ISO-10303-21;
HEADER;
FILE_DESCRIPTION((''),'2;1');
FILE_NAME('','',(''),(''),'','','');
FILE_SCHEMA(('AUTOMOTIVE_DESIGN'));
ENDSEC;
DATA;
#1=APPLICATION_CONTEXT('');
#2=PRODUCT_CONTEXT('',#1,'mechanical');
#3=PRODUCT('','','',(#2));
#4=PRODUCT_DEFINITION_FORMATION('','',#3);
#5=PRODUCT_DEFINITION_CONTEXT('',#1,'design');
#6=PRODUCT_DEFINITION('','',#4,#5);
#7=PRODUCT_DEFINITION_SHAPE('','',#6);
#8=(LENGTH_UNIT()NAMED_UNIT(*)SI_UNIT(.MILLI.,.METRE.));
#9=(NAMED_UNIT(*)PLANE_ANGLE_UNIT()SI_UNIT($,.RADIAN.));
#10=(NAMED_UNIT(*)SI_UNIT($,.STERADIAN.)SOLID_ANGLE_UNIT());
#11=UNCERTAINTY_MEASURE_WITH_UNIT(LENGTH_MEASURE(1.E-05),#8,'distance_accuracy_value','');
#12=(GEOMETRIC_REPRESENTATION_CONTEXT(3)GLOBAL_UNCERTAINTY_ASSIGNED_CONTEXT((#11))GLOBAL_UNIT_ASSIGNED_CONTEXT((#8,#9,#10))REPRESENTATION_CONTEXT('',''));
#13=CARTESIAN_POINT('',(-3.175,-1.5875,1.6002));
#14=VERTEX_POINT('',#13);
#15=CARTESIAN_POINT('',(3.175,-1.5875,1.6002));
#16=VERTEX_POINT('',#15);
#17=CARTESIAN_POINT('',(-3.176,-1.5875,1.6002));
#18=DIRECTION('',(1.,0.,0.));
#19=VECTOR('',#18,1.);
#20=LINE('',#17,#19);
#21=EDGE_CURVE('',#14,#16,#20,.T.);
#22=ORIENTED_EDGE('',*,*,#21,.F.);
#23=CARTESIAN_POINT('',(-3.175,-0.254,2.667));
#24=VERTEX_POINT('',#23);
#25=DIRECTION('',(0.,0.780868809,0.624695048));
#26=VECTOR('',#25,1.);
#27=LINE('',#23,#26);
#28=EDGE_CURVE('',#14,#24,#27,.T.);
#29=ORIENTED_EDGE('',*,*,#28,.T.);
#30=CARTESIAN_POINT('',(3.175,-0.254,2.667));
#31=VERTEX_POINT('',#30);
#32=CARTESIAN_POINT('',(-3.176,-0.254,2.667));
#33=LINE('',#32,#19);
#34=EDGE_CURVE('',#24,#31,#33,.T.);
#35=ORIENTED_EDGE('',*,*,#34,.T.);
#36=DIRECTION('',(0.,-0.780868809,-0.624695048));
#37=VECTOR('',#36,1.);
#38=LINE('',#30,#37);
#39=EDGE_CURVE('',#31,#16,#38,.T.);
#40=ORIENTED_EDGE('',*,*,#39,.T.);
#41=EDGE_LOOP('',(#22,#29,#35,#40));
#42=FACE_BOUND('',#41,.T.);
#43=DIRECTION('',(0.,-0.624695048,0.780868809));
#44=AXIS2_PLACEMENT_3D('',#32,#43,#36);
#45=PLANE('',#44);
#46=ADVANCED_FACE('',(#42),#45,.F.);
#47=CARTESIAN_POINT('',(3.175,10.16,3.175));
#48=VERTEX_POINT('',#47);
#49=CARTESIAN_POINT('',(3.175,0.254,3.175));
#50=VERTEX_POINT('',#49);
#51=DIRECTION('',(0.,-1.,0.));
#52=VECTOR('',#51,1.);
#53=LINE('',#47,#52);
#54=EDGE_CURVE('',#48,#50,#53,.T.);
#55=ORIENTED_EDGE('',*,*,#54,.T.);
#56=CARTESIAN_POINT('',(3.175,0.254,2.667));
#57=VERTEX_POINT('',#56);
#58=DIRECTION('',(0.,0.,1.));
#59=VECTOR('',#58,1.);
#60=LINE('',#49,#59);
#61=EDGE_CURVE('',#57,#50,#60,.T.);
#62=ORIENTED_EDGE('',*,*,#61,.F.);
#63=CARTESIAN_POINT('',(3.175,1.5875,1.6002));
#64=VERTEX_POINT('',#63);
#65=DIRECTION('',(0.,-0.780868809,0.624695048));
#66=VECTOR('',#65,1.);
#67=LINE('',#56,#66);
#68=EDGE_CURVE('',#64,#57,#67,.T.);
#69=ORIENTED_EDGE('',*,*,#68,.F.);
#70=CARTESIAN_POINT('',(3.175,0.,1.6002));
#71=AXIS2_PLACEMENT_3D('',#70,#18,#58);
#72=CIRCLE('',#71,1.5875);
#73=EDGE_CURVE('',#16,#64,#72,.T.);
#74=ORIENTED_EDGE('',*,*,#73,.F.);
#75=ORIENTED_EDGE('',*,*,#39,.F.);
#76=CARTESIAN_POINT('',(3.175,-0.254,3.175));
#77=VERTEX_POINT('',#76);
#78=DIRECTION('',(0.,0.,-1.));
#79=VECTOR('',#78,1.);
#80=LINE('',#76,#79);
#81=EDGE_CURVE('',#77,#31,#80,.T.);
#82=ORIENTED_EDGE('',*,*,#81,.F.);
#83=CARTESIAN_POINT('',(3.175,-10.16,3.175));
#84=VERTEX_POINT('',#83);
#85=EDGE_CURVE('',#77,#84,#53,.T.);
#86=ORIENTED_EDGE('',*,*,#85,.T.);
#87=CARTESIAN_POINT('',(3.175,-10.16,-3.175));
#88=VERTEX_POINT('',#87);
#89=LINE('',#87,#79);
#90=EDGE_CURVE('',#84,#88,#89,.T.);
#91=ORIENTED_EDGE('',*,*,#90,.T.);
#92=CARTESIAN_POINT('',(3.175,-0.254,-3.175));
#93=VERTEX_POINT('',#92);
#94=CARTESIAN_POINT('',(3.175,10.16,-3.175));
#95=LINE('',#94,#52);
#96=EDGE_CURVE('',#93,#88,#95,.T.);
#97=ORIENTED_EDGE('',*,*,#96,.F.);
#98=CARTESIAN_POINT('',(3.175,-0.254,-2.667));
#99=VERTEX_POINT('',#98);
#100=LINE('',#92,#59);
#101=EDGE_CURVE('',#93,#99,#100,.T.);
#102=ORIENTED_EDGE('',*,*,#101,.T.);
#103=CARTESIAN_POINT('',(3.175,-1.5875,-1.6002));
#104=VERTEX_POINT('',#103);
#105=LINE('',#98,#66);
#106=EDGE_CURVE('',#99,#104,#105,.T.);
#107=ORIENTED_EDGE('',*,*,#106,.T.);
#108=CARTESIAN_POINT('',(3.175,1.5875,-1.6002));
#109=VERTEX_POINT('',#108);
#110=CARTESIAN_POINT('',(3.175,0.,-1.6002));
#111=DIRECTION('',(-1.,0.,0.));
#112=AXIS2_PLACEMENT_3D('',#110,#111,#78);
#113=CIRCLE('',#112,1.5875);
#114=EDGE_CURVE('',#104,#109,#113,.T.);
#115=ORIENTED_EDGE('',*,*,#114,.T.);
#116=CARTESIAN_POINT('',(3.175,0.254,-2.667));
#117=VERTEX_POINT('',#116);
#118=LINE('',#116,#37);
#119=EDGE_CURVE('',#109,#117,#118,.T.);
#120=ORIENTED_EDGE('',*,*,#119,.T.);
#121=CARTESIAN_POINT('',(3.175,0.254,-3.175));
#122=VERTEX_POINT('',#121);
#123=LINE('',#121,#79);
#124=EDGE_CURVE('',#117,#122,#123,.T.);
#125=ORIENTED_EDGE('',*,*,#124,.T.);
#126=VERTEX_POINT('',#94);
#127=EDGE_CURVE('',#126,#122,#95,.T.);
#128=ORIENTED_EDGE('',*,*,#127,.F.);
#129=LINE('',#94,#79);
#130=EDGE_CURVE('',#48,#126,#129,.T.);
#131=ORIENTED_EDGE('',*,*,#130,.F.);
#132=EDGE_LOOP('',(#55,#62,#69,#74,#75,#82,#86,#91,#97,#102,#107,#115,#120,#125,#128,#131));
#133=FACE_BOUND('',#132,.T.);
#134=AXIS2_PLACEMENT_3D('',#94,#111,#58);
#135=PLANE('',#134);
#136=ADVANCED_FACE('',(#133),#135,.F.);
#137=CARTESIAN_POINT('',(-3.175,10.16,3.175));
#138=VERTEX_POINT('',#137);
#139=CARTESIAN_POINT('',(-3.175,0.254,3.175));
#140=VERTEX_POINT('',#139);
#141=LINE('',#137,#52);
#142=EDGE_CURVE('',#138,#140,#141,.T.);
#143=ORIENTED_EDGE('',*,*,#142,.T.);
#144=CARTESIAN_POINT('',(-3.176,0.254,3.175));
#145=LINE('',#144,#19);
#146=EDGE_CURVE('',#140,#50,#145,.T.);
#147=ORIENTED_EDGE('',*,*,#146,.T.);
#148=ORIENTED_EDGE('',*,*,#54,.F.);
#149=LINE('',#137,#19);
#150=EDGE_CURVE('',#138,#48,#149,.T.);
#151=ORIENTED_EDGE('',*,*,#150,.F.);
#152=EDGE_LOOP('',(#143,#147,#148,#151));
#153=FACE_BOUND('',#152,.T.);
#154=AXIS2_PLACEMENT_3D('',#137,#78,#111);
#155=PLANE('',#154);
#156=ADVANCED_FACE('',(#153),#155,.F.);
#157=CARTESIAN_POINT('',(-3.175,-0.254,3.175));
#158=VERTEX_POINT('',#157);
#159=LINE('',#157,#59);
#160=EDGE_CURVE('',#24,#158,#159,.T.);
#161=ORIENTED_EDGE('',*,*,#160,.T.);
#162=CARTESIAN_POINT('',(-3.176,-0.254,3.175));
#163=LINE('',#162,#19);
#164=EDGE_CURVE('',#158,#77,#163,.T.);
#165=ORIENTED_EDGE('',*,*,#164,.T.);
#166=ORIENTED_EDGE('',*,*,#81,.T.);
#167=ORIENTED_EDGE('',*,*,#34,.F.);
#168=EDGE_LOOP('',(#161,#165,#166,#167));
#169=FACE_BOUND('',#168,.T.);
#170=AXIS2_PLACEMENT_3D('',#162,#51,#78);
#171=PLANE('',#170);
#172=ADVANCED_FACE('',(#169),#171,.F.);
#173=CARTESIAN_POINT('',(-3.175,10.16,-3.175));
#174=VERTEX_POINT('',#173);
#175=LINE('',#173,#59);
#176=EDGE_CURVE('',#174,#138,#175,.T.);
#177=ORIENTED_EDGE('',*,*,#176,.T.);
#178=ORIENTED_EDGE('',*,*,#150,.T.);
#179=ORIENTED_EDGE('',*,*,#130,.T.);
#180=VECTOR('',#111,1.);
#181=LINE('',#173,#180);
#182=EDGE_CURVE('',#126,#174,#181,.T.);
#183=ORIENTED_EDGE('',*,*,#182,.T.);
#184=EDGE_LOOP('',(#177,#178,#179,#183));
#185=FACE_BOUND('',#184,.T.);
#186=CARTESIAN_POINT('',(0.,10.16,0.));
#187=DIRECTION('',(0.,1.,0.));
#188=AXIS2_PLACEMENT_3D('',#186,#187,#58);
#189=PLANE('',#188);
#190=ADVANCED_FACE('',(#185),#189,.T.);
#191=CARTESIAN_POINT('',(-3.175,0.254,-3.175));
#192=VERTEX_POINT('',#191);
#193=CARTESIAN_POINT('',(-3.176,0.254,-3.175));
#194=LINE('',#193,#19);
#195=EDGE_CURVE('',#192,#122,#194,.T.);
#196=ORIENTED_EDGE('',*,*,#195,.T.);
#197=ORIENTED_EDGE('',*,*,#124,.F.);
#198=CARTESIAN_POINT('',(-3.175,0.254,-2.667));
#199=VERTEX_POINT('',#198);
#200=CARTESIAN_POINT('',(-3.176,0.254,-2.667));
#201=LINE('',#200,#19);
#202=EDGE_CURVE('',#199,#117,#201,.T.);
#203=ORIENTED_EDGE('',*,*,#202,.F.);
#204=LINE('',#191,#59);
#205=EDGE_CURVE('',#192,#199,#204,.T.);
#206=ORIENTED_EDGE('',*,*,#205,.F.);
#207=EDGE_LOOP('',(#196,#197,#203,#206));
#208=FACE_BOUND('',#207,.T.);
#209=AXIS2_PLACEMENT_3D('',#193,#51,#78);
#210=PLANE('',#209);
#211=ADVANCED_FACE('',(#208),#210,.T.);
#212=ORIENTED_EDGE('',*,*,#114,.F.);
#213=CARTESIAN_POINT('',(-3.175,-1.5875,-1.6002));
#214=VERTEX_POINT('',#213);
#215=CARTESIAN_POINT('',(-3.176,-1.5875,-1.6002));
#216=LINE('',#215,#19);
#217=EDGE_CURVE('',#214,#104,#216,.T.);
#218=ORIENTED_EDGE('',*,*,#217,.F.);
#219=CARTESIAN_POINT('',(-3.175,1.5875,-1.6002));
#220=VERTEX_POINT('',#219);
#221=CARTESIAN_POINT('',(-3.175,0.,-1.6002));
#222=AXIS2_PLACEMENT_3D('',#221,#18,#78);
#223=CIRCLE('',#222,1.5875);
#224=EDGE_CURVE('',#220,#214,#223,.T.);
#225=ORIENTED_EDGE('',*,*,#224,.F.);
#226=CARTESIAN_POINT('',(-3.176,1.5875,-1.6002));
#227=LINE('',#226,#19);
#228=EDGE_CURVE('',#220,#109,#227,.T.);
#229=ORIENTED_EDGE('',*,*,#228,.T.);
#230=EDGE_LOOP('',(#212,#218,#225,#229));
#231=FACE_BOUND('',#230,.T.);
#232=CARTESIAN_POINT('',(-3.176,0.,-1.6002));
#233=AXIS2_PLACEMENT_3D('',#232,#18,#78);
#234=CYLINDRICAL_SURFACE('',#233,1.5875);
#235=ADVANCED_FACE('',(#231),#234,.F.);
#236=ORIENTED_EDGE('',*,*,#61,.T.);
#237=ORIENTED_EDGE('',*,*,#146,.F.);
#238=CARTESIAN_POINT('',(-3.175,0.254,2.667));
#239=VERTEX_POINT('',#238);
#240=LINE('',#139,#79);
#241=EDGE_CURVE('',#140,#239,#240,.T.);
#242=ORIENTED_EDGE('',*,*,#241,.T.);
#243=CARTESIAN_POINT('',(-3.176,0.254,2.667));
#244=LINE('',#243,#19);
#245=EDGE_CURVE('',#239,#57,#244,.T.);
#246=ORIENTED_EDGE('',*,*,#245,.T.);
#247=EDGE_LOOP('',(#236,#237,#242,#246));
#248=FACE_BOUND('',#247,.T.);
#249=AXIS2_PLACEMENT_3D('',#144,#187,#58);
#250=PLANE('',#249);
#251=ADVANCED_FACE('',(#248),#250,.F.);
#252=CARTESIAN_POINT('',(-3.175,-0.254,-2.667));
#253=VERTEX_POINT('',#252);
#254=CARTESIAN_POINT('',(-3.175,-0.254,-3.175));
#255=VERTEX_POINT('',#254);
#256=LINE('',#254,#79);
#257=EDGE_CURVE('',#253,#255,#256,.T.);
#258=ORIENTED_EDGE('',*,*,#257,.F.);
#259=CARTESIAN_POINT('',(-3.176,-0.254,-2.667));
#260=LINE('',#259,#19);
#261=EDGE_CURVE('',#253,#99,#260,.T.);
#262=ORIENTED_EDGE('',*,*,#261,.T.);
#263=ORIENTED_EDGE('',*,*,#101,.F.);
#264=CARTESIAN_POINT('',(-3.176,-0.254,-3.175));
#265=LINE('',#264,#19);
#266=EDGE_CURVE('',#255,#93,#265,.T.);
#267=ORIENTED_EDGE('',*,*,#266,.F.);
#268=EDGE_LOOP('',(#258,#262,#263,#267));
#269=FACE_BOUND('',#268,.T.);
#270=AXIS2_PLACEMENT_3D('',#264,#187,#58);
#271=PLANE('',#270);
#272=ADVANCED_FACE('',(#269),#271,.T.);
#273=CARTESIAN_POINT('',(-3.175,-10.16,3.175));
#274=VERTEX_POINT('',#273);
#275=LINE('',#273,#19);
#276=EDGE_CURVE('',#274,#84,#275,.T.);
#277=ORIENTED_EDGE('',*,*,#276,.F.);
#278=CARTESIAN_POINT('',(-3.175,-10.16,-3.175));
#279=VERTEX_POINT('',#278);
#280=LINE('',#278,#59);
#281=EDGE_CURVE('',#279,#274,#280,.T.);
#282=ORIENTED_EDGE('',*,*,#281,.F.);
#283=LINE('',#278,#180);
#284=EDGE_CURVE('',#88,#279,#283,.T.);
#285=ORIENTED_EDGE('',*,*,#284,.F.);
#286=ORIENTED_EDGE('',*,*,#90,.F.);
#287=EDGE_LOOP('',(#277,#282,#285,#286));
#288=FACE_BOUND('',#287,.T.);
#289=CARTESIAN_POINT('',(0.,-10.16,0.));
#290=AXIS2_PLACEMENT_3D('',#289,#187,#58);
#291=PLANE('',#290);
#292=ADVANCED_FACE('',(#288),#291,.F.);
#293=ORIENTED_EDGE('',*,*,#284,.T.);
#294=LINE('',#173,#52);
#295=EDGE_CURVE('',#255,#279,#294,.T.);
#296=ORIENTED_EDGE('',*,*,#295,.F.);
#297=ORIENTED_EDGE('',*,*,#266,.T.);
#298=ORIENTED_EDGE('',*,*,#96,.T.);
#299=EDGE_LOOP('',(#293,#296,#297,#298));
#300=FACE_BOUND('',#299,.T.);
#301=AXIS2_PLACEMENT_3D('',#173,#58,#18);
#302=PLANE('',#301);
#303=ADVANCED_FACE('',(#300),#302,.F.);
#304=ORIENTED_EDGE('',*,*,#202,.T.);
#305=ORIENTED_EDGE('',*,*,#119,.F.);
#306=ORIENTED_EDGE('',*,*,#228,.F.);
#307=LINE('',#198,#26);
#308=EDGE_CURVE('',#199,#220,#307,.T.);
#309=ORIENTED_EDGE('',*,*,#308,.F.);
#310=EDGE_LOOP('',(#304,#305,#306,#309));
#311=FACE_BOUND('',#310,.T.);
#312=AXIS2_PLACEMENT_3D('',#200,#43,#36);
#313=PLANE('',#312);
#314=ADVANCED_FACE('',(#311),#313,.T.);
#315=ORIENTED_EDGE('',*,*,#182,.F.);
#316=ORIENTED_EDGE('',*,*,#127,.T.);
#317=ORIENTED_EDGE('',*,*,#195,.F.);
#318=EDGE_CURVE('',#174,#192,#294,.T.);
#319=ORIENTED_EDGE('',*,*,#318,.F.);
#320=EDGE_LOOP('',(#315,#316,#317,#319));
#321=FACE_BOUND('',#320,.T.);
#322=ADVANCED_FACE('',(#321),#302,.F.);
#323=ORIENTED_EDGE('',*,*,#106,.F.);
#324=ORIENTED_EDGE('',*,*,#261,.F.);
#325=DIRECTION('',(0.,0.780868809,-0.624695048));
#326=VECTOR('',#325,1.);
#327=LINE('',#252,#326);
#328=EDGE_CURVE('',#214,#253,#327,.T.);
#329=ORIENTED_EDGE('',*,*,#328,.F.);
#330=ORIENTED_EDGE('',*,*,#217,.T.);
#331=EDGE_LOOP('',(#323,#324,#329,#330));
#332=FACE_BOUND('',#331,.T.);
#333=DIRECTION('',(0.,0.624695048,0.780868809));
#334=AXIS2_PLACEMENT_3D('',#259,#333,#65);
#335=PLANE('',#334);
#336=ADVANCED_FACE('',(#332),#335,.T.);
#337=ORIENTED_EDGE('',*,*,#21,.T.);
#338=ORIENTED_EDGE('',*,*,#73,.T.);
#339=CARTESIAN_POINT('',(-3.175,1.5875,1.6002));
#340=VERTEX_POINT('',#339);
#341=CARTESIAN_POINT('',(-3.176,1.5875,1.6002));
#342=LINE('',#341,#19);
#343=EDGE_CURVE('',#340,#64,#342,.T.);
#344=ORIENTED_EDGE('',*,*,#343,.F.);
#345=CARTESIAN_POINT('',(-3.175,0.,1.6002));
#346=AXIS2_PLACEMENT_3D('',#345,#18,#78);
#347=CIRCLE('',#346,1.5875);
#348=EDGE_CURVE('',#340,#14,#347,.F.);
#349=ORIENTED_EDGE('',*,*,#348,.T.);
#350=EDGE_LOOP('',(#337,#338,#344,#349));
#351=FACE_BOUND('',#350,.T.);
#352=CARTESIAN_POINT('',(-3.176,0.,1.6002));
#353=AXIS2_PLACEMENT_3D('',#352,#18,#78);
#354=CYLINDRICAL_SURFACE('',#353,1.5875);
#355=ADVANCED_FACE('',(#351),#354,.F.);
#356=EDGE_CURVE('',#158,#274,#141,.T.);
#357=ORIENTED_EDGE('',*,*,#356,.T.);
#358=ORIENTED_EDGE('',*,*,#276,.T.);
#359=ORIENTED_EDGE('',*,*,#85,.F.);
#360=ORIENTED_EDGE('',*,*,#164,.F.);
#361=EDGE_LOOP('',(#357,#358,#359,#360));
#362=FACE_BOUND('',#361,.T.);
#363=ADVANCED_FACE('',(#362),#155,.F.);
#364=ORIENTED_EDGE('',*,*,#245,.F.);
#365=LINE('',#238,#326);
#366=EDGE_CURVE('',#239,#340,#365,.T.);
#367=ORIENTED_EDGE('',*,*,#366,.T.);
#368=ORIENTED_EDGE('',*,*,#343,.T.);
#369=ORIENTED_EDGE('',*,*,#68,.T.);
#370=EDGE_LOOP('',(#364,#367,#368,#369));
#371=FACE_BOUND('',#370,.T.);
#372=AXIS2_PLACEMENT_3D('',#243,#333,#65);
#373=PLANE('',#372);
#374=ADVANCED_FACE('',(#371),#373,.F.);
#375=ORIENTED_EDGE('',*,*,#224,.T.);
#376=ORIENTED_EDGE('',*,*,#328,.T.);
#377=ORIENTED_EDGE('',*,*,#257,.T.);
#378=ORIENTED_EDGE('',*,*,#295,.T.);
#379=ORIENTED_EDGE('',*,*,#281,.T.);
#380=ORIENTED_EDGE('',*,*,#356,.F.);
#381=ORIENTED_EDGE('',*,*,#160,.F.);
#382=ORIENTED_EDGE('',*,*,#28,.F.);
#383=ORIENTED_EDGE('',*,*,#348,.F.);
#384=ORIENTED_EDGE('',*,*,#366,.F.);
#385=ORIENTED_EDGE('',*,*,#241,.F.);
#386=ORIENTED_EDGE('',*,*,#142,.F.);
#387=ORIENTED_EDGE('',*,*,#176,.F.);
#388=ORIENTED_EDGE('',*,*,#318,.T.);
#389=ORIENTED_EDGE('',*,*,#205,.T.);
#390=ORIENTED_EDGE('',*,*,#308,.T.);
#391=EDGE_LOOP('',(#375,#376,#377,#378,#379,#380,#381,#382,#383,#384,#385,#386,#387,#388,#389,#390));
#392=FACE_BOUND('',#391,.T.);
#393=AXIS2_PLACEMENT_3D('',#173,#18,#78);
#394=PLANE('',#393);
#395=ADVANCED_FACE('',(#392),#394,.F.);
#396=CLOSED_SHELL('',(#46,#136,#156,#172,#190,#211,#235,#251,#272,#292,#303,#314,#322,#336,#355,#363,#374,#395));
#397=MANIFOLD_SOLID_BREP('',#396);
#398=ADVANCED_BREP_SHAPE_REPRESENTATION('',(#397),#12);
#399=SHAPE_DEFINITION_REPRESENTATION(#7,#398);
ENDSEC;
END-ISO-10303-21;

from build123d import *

# Parameters (mm, degrees)
SKETCH1_W           = 6.35
SKETCH1_H           = 6.35
BOSS_EXTRUDE1_DEPTH = 10.16
CUT_EXTRUDE1_DEPTH  = 6.35


with BuildPart() as part:
    # Sketch1 → Boss-Extrude1 (new body, symmetric)
    with BuildSketch(Plane(origin=(0, 0, 0), x_dir=(1, 0, 0), z_dir=(0, 1, 0))):
        Rectangle(SKETCH1_W, SKETCH1_H)
    extrude(amount=BOSS_EXTRUDE1_DEPTH, both=True)

    # Sketch2 → Cut-Extrude1 (cut)
    with BuildSketch(Plane(origin=(3.175, 0, 0), x_dir=(0, 0, -1), z_dir=(1, 0, 0))):
        with BuildLine():
            Line((-3.175, 0.254), (-3.175, -0.254))
            Line((-3.175, -0.254), (-2.667, -0.254))
            Line((-2.667, -0.254), (-1.6002, -1.5875))
            ThreePointArc((-1.6002, -1.5875), (-0.0127, 0), (-1.6002, 1.5875))
            Line((-1.6002, 1.5875), (-2.667, 0.254))
            Line((-2.667, 0.254), (-3.175, 0.254))
        make_face()
    cut_extrude1 = extrude(amount=-CUT_EXTRUDE1_DEPTH, mode=Mode.SUBTRACT)

    # Mirror1: Cut-Extrude1 across plane
    add(cut_extrude1.mirror(Plane.XY), mode=Mode.SUBTRACT)


solid = part.part
